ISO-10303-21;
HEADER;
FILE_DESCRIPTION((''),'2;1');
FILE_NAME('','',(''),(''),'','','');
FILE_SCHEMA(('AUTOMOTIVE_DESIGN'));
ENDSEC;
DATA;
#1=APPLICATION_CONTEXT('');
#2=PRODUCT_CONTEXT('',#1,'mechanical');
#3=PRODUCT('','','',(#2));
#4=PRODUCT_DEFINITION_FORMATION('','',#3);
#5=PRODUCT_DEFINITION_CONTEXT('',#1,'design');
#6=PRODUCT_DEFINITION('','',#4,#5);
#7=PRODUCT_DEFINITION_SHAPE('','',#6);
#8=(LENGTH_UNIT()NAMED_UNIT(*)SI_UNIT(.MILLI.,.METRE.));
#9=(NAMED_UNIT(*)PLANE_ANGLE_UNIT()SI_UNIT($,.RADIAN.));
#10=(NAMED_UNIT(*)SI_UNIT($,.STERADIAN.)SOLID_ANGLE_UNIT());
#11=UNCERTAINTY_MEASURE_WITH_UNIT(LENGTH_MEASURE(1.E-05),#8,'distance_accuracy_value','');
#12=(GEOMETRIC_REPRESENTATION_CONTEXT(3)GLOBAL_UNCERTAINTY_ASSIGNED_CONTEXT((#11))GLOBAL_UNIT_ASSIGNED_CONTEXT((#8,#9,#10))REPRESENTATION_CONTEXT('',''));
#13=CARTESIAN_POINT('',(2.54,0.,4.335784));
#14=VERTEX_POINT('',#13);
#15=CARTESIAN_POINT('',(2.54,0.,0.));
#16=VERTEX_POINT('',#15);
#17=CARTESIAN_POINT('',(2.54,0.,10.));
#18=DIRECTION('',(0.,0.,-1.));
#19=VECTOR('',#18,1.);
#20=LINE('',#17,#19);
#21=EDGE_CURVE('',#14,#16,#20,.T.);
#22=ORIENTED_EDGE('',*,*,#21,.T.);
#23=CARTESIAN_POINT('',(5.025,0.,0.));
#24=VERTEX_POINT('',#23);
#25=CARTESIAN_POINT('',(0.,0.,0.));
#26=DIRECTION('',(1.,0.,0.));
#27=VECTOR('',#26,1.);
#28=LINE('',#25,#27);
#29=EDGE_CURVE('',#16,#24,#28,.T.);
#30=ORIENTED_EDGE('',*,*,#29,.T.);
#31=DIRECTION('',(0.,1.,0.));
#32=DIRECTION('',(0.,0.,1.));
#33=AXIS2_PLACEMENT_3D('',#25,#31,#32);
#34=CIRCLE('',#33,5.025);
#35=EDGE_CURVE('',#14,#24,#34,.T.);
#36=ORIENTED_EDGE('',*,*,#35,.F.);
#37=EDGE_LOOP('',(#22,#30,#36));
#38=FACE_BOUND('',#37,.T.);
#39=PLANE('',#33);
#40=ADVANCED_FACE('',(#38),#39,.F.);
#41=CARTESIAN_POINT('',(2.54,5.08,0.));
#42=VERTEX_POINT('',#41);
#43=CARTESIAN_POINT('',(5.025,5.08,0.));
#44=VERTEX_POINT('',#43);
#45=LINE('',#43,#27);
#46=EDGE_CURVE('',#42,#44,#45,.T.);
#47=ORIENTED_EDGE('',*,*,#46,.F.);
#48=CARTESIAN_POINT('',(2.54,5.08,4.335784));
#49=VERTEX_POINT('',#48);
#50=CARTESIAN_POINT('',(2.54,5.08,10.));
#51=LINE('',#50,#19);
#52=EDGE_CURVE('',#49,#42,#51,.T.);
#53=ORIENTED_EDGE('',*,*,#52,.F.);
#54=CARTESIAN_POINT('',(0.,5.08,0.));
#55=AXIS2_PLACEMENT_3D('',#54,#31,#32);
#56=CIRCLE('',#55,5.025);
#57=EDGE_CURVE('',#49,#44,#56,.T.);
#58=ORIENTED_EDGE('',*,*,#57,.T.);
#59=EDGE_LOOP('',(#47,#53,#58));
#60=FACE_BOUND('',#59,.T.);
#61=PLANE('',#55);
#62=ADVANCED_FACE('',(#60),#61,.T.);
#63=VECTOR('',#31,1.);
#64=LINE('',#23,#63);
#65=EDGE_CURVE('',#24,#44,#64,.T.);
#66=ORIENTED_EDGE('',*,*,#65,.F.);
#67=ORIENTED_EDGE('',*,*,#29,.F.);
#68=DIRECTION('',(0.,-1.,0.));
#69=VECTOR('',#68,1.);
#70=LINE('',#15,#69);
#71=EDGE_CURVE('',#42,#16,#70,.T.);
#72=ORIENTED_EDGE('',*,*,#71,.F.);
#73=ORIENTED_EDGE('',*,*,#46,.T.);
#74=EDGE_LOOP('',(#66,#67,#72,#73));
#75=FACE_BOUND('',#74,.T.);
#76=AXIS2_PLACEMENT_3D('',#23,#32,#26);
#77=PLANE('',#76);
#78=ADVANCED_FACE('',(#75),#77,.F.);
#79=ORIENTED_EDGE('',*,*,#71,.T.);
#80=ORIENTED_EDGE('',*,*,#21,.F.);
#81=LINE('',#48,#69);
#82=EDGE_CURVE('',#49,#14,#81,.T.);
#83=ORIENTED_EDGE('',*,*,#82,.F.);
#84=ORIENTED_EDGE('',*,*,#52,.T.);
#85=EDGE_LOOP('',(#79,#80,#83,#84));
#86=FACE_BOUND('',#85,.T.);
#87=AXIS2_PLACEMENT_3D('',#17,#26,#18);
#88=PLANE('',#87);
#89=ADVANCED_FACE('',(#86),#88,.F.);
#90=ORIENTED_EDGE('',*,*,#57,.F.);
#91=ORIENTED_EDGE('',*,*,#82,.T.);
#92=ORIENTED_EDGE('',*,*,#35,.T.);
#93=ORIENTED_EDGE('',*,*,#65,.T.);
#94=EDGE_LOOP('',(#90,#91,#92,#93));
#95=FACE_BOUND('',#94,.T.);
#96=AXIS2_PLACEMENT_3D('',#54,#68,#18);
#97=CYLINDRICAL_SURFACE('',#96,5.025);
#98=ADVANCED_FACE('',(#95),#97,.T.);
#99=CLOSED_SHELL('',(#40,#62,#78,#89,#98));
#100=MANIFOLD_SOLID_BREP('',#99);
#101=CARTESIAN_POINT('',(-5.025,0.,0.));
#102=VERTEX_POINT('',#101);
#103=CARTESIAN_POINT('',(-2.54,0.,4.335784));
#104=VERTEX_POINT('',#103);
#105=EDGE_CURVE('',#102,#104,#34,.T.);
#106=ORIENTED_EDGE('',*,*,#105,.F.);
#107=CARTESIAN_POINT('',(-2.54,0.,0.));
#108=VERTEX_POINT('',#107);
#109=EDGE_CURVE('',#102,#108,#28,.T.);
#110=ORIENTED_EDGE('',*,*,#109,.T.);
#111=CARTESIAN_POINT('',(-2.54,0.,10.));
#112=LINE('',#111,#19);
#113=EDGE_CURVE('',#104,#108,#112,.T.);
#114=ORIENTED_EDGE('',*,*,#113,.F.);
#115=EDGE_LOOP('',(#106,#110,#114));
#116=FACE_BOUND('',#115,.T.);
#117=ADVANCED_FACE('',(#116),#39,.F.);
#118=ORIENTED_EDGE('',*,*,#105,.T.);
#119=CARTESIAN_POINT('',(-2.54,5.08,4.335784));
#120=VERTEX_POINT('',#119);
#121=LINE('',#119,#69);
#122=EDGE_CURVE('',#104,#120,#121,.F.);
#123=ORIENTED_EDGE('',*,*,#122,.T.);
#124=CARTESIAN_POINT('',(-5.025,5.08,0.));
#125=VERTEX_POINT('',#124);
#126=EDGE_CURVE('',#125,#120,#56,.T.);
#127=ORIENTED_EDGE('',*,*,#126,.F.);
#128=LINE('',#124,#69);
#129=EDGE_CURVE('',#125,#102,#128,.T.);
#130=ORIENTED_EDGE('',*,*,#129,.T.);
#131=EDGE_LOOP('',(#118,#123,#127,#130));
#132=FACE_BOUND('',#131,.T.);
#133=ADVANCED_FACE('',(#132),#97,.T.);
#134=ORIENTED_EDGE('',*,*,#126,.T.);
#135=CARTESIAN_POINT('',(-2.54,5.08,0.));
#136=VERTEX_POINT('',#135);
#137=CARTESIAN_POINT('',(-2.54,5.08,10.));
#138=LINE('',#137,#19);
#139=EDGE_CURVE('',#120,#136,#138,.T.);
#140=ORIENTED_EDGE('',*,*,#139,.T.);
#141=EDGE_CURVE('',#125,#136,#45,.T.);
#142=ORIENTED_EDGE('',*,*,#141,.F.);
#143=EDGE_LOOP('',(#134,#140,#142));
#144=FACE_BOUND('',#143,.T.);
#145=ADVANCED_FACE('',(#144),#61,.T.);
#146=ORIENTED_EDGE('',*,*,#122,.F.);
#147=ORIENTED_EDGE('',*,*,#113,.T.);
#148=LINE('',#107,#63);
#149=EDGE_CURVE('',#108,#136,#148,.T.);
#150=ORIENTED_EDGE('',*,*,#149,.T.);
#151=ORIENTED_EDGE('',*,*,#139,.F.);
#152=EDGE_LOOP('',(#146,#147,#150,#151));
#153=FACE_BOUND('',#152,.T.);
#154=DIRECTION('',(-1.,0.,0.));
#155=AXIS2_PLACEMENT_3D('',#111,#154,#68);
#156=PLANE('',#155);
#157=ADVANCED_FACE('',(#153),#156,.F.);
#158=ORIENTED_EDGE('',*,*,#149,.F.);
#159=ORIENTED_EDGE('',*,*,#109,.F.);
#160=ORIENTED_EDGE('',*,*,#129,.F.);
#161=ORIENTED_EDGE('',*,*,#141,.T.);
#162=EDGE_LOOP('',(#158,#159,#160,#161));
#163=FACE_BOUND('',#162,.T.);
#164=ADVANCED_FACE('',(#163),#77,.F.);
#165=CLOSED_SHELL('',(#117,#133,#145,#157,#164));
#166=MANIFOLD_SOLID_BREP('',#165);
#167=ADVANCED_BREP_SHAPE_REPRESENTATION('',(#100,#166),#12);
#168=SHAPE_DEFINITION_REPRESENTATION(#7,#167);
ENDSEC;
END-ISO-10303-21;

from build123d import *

# Parameters (mm, degrees)
SKETCH1_R           = 5.025
BOSS_EXTRUDE1_DEPTH = 5.08
SKETCH2_W           = 277.946121386
SKETCH2_H           = 253.043274965
CUT_EXTRUDE1_DEPTH  = 5.08
SKETCH3_W           = 5.08
SKETCH3_H           = 5.08
CUT_EXTRUDE2_DEPTH  = 10


with BuildPart() as part:
    # Sketch1 → Boss-Extrude1 (new body)
    with BuildSketch(Plane(origin=(0, 0, 0), x_dir=(1, 0, 0), z_dir=(0, 1, 0))):
        Circle(SKETCH1_R)
    extrude(amount=BOSS_EXTRUDE1_DEPTH)

    # Sketch2 → Cut-Extrude1 (cut)
    with BuildSketch(Plane(origin=(0, 5.08, 0), x_dir=(1, 0, 0), z_dir=(0, 1, 0))):
        with Locations((-133.948060693, 126.521637483)):
            Rectangle(SKETCH2_W, SKETCH2_H)
    extrude(amount=-CUT_EXTRUDE1_DEPTH, mode=Mode.SUBTRACT)

    # Sketch3 → Cut-Extrude2 (cut)
    with BuildSketch(Plane(origin=(0, 0, 0), x_dir=(-1, 0, 0), z_dir=(0, 0, -1))):
        with Locations((0, 2.54)):
            Rectangle(SKETCH3_W, SKETCH3_H)
    extrude(amount=-CUT_EXTRUDE2_DEPTH, mode=Mode.SUBTRACT)


solid = part.part
